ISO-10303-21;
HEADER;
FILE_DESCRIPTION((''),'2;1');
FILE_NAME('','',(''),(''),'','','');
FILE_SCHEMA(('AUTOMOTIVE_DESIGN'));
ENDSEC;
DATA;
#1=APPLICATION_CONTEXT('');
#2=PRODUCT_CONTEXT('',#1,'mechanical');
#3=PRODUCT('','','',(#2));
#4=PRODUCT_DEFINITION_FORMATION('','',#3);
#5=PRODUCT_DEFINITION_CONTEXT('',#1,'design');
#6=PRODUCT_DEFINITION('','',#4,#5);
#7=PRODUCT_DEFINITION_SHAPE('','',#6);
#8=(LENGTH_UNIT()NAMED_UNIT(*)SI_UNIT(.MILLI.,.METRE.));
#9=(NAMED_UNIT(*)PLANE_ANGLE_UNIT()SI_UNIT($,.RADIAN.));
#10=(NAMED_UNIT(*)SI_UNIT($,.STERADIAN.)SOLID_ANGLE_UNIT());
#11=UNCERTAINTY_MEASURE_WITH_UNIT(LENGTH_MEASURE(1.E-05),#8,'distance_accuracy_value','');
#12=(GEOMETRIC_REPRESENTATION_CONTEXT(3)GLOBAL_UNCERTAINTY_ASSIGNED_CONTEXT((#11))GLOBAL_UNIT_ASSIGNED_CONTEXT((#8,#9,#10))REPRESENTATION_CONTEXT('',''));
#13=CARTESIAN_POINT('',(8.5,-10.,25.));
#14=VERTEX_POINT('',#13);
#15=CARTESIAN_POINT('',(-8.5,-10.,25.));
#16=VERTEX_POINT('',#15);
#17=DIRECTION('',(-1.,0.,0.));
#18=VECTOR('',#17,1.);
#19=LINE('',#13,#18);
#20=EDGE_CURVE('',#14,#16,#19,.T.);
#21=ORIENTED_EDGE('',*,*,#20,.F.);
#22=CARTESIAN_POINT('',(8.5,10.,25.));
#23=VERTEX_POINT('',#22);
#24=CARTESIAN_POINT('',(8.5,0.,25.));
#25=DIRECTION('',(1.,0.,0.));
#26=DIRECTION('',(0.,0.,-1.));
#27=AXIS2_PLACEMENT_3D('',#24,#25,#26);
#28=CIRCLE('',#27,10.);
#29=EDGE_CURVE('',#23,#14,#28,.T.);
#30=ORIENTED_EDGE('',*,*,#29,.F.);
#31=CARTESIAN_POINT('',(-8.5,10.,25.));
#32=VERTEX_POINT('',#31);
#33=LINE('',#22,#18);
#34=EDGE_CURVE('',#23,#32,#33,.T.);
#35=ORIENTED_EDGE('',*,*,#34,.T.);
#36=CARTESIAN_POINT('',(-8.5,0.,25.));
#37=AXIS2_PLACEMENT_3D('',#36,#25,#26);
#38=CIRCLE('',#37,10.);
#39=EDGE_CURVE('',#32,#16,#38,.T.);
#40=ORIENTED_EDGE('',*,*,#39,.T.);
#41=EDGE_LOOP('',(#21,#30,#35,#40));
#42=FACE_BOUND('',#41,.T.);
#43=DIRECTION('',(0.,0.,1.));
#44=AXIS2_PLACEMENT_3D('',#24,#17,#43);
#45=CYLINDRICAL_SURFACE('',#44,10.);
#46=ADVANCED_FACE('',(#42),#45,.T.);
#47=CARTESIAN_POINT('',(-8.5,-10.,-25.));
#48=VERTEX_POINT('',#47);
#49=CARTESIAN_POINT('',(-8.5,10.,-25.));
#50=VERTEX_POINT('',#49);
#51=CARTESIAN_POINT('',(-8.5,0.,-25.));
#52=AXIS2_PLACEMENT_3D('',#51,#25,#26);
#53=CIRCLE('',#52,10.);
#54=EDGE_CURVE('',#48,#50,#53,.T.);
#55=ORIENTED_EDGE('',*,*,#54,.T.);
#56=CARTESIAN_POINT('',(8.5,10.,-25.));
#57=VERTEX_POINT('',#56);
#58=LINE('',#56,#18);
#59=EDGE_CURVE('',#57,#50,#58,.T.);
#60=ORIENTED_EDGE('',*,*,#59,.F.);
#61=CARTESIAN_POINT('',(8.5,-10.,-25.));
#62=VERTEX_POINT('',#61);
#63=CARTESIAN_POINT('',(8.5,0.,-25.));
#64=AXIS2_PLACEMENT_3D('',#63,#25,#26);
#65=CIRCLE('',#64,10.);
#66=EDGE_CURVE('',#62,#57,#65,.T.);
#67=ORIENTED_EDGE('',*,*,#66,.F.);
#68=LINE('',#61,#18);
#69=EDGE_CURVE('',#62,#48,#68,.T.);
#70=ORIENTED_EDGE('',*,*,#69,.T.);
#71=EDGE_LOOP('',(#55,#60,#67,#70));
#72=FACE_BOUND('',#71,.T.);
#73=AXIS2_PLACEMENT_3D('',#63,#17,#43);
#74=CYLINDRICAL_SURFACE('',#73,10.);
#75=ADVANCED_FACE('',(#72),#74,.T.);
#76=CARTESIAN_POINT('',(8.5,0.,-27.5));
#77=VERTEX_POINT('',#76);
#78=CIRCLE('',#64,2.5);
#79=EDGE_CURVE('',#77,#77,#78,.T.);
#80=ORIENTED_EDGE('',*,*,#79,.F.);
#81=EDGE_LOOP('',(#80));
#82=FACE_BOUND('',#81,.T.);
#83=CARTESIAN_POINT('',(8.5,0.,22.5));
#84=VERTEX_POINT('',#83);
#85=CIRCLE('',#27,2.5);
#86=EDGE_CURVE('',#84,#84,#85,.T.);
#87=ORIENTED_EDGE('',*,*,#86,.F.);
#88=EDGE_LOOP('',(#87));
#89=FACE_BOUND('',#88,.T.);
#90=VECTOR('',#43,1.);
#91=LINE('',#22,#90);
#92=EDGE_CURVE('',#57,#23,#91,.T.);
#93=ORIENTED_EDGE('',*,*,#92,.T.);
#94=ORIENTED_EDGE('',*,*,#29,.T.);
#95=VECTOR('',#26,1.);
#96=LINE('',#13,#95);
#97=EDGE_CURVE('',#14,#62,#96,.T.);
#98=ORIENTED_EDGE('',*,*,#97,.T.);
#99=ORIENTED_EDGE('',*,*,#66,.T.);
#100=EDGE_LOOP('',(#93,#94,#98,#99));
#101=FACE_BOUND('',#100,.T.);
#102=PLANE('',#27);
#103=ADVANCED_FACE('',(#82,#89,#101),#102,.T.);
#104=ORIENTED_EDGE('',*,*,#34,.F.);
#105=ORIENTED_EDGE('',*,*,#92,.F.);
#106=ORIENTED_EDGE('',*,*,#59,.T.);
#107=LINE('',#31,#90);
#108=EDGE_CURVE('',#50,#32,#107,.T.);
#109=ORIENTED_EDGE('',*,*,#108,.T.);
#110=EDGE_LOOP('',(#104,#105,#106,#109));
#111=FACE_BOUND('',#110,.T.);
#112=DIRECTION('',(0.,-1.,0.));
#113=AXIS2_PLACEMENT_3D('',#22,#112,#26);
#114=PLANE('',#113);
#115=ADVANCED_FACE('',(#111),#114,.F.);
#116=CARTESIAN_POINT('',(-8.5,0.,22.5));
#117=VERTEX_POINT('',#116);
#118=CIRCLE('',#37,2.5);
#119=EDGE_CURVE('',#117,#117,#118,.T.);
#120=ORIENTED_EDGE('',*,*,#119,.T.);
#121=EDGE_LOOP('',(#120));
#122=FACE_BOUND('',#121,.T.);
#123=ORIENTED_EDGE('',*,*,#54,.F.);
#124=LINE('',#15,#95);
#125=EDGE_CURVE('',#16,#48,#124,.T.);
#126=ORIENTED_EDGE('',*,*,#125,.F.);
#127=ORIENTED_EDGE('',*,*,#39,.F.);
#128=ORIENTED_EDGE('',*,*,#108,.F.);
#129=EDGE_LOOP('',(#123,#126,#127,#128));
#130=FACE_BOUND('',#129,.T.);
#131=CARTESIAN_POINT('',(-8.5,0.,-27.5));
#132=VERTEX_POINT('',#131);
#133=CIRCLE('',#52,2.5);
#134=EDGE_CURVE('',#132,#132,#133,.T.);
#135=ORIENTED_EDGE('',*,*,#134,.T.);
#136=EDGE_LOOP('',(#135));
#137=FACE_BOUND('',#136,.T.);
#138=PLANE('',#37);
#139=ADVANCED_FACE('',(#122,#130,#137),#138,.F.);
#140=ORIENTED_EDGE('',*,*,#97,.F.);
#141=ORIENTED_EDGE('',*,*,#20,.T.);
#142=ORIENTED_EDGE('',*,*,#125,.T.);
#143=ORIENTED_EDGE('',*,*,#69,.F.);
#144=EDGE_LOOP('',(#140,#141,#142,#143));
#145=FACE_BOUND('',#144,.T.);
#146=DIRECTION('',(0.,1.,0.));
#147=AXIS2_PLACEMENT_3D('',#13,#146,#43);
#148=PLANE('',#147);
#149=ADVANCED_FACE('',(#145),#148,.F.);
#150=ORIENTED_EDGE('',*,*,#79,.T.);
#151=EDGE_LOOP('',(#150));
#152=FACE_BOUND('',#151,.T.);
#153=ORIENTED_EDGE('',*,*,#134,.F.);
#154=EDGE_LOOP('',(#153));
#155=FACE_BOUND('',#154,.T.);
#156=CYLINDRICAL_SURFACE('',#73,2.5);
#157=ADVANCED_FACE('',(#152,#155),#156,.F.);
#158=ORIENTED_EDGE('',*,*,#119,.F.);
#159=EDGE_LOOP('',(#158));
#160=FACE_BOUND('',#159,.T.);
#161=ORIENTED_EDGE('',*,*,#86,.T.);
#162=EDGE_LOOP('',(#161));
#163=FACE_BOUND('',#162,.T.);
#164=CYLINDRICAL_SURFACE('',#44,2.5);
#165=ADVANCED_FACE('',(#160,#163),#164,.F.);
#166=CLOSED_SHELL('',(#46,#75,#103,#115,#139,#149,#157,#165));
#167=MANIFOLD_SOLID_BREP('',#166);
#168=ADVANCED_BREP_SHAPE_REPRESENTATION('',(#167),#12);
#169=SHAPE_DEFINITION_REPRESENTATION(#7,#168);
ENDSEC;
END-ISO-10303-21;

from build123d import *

# Parameters (mm, degrees)
CROQUIS1_R              = 2.5
SALIENTE_EXTRUIR1_DEPTH = 8.5


with BuildPart() as part:
    # Croquis1 → Saliente-Extruir1 (new, symmetric)
    with BuildSketch(Plane(origin=(0, 0, 0), x_dir=(0, 0, -1), z_dir=(1, 0, 0))):
        with BuildLine():
            Line((-25, 10), (25, 10))
            ThreePointArc((25, 10), (35, 0), (25, -10))
            Line((25, -10), (-25, -10))
            ThreePointArc((-25, -10), (-35, 0), (-25, 10))
        make_face()
        with Locations((-25, 0)):
            Circle(CROQUIS1_R, mode=Mode.SUBTRACT)
        with Locations((25, 0)):
            Circle(CROQUIS1_R, mode=Mode.SUBTRACT)
    extrude(amount=SALIENTE_EXTRUIR1_DEPTH, both=True)


solid = part.part
